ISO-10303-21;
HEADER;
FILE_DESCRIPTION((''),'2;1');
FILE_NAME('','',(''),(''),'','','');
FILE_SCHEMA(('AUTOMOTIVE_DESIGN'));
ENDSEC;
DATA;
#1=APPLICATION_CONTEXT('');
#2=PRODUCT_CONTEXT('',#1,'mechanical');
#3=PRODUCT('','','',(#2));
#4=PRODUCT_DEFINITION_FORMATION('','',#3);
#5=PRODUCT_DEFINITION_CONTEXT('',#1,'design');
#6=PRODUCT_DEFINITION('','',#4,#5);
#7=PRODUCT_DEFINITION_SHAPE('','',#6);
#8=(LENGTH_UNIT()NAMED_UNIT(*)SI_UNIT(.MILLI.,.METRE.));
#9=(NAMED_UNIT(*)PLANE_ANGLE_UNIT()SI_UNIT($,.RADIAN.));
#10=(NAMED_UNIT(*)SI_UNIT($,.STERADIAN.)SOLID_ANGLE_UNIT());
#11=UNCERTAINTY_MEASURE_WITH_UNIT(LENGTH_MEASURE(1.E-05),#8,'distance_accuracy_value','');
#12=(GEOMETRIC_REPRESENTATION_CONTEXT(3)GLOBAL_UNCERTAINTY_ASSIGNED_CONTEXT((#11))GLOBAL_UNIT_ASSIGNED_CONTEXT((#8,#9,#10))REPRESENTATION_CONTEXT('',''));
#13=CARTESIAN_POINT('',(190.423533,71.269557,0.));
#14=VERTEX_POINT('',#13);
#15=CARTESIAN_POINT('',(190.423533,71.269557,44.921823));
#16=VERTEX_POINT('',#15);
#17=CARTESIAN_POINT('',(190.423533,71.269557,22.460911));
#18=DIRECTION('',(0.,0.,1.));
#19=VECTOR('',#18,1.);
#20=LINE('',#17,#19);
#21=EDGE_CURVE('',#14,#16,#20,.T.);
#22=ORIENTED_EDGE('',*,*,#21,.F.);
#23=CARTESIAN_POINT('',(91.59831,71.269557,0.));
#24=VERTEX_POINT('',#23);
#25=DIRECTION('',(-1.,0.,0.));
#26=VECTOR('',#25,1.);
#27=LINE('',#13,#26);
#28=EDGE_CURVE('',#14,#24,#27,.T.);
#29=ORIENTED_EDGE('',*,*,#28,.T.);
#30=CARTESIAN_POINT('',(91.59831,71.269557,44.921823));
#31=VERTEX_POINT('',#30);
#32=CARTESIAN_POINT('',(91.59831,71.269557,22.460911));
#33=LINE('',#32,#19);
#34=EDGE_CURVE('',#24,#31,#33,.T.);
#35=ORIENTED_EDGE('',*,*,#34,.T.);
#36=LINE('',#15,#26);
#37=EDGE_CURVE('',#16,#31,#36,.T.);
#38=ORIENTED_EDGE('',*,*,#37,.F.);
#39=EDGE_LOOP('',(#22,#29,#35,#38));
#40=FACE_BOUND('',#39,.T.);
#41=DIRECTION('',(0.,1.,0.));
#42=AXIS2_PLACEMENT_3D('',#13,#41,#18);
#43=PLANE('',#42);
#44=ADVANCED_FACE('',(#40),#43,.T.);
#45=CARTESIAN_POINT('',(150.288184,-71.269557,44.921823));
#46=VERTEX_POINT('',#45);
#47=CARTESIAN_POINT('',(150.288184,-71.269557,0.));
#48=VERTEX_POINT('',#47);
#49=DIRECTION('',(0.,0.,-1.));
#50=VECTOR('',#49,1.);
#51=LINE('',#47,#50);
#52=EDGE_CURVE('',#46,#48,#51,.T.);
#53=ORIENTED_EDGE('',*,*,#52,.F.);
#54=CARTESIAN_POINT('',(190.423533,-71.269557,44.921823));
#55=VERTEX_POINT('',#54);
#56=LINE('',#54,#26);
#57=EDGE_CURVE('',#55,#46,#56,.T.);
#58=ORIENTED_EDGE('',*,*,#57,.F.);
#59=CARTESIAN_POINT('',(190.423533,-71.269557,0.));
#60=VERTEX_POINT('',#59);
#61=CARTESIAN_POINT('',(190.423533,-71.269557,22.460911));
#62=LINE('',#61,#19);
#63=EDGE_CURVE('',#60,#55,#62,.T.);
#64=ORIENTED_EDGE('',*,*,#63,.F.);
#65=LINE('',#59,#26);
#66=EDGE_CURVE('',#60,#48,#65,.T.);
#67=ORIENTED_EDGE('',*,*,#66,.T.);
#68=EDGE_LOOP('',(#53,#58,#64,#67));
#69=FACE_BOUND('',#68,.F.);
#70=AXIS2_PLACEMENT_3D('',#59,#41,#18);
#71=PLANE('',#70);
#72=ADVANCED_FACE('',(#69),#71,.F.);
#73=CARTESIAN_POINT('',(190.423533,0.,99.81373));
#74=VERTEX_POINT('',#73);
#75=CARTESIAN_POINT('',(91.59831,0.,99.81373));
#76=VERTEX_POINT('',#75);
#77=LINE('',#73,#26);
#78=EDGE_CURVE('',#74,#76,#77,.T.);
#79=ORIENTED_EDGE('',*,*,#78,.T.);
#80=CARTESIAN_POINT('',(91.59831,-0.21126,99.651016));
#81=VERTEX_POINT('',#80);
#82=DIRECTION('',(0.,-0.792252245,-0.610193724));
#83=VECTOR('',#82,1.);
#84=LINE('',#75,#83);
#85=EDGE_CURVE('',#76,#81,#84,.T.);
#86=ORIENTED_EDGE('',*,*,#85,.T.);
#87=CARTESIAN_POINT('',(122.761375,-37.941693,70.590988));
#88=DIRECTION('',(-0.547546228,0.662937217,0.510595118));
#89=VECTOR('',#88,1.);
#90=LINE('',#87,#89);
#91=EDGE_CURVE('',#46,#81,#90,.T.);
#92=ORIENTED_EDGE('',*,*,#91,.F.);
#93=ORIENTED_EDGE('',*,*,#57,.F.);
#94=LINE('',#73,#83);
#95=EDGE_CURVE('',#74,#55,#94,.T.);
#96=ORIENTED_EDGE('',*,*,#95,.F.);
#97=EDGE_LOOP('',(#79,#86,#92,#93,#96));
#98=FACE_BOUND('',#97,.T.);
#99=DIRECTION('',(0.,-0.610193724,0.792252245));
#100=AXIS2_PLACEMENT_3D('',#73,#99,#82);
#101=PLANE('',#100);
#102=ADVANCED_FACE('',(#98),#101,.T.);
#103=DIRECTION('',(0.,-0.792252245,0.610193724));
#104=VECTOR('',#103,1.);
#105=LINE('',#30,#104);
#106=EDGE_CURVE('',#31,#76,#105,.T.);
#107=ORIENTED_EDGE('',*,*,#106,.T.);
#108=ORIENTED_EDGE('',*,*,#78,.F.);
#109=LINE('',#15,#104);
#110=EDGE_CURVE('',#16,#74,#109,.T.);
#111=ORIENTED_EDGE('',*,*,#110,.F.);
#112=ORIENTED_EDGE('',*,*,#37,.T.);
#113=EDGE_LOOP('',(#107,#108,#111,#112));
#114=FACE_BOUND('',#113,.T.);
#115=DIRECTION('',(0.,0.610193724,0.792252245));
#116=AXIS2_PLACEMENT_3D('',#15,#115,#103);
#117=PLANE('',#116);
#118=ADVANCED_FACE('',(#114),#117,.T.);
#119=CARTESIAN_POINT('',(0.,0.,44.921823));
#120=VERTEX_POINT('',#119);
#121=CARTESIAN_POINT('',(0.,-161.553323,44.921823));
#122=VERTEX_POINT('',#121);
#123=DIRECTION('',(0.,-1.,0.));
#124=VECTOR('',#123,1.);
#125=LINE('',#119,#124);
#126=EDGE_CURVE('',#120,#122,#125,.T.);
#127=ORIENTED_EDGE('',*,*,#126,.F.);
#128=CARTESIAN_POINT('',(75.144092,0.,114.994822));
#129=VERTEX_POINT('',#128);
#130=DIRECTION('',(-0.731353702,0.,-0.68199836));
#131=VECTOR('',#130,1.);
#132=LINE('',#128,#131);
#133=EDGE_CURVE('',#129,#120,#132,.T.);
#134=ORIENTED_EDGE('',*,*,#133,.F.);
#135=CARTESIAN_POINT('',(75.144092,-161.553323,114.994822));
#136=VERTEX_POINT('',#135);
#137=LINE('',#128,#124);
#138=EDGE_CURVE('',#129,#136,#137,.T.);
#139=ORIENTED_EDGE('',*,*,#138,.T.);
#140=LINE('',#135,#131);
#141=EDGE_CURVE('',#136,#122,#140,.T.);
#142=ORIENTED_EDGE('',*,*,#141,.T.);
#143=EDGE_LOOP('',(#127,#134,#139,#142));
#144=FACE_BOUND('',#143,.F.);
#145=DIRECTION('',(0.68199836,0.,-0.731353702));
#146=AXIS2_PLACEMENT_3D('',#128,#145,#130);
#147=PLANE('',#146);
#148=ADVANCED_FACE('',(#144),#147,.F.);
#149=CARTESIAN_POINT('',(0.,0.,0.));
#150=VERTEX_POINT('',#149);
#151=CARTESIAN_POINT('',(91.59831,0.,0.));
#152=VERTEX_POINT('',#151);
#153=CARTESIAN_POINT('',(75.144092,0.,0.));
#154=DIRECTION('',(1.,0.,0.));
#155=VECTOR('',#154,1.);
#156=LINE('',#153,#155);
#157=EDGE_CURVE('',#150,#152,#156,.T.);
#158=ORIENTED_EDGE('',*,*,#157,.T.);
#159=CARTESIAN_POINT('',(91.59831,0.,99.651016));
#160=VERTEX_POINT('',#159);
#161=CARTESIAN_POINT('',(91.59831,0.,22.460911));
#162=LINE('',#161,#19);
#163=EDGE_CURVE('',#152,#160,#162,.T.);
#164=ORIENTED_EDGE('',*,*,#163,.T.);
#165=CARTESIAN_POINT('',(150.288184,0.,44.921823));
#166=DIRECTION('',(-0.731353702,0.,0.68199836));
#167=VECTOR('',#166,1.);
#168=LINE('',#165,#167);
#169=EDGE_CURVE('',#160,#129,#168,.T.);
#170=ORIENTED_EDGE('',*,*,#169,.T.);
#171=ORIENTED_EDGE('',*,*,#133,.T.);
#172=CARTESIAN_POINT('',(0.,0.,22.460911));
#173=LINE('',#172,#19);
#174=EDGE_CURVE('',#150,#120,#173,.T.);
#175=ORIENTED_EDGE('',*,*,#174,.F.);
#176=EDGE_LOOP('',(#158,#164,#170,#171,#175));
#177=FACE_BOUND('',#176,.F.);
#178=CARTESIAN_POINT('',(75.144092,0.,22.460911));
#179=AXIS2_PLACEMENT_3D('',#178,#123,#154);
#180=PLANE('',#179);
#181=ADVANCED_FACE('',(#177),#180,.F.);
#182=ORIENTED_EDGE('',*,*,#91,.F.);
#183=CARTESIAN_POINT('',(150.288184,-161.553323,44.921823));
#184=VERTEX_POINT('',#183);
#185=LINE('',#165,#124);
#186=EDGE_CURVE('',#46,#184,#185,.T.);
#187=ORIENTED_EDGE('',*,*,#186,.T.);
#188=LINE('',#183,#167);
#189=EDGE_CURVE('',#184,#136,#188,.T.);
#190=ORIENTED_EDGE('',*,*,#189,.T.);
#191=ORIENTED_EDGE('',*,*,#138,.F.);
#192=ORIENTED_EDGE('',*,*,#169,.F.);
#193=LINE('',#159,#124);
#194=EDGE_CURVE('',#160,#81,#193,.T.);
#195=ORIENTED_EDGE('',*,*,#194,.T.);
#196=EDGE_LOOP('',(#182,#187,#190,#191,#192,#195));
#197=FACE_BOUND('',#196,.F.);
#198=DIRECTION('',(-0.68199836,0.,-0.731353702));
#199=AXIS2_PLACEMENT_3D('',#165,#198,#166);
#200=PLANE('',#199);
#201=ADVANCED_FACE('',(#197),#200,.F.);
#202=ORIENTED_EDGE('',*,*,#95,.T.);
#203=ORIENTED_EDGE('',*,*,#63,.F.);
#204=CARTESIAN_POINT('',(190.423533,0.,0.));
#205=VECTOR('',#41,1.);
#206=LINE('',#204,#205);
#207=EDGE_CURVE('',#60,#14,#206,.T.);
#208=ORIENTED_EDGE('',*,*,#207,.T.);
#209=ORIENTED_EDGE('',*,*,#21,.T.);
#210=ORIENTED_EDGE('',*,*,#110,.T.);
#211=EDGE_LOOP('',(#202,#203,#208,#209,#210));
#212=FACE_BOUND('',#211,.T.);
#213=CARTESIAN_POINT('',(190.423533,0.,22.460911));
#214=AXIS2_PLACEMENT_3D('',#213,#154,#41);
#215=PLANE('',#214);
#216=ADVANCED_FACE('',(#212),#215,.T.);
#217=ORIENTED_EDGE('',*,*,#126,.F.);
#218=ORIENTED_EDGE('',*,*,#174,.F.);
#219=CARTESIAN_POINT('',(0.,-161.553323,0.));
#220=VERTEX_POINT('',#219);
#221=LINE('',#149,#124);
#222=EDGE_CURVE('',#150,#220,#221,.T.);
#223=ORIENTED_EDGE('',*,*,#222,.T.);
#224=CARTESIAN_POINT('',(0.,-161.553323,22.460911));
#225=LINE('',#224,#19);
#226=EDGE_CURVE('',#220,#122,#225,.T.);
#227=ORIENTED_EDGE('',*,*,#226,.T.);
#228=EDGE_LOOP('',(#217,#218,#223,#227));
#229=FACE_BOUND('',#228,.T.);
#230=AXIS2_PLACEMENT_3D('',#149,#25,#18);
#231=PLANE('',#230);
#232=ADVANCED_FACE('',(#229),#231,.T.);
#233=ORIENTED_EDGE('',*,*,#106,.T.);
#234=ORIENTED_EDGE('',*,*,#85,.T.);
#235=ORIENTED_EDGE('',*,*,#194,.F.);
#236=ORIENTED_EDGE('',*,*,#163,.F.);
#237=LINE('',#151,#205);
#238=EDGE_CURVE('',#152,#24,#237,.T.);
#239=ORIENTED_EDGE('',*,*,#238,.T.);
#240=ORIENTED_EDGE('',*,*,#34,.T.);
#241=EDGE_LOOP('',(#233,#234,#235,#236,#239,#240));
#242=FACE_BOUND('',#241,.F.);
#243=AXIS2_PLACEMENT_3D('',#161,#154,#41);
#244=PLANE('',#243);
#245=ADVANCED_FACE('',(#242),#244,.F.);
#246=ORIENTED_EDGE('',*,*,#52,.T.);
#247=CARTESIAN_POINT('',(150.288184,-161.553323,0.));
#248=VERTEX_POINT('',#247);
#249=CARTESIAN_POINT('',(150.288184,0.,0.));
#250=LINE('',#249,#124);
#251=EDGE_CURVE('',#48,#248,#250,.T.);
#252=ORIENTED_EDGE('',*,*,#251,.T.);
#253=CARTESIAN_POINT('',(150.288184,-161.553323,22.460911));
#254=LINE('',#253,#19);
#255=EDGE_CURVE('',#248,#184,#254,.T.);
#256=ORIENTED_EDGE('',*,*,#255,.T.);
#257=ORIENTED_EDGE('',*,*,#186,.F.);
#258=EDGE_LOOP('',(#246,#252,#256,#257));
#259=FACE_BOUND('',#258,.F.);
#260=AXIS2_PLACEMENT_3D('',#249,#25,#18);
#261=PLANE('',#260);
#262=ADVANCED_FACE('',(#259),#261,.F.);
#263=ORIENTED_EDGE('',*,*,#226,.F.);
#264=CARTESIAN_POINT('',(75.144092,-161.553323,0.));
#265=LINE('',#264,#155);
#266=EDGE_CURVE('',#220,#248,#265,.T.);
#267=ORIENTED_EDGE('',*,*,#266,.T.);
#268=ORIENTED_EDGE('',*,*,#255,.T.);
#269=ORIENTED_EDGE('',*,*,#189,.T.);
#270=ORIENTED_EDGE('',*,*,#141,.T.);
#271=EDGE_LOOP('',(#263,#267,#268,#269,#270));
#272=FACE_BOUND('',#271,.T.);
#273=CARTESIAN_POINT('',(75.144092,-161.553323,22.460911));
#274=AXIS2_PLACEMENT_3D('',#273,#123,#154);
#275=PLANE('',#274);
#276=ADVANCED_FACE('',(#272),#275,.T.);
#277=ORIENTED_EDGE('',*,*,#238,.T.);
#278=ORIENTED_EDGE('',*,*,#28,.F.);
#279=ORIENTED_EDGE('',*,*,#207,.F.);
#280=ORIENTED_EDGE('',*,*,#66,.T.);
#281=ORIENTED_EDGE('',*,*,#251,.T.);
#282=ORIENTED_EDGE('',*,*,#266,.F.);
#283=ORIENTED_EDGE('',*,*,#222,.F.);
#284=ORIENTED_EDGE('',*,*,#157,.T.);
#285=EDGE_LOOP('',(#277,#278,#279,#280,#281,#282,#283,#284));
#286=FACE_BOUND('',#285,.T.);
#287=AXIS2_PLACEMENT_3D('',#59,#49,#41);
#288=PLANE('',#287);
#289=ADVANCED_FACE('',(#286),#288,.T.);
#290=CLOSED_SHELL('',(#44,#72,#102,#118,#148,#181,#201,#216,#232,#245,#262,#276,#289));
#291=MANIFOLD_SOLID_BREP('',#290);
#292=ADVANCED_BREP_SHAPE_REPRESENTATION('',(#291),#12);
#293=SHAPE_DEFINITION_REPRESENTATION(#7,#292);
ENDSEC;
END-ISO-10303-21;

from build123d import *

# Parameters (mm, degrees)
F0_W     = 150.2881843598
F0_H     = 44.9218228459
F1_DEPTH = 161.5533232689
F4_W     = 142.53911376
F4_H     = 44.9218228459
F5_DEPTH = 98.8252237439


with BuildPart() as f1:
    # F0 (on Front) → F1 (new body)
    with BuildSketch(Plane.XZ):
        with Locations((75.1440921799, 22.460911423)):
            Rectangle(F0_W, F0_H)
        Polygon((75.1440921799, 114.9948224378), (0, 44.9218228459), (150.2881843598, 44.9218228459), align=None)
    extrude(amount=F1_DEPTH)

    # F4 (on offset) → F5 (join)
    with BuildSketch(Plane.YZ.offset(190.4235333204)):
        with Locations((0, 22.460911423)):
            Rectangle(F4_W, F4_H)
        Polygon((-71.26955688, 44.9218228459), (71.26955688, 44.9218228459), (0, 99.8137295246), align=None)
    extrude(amount=-F5_DEPTH)


solid = f1.part
